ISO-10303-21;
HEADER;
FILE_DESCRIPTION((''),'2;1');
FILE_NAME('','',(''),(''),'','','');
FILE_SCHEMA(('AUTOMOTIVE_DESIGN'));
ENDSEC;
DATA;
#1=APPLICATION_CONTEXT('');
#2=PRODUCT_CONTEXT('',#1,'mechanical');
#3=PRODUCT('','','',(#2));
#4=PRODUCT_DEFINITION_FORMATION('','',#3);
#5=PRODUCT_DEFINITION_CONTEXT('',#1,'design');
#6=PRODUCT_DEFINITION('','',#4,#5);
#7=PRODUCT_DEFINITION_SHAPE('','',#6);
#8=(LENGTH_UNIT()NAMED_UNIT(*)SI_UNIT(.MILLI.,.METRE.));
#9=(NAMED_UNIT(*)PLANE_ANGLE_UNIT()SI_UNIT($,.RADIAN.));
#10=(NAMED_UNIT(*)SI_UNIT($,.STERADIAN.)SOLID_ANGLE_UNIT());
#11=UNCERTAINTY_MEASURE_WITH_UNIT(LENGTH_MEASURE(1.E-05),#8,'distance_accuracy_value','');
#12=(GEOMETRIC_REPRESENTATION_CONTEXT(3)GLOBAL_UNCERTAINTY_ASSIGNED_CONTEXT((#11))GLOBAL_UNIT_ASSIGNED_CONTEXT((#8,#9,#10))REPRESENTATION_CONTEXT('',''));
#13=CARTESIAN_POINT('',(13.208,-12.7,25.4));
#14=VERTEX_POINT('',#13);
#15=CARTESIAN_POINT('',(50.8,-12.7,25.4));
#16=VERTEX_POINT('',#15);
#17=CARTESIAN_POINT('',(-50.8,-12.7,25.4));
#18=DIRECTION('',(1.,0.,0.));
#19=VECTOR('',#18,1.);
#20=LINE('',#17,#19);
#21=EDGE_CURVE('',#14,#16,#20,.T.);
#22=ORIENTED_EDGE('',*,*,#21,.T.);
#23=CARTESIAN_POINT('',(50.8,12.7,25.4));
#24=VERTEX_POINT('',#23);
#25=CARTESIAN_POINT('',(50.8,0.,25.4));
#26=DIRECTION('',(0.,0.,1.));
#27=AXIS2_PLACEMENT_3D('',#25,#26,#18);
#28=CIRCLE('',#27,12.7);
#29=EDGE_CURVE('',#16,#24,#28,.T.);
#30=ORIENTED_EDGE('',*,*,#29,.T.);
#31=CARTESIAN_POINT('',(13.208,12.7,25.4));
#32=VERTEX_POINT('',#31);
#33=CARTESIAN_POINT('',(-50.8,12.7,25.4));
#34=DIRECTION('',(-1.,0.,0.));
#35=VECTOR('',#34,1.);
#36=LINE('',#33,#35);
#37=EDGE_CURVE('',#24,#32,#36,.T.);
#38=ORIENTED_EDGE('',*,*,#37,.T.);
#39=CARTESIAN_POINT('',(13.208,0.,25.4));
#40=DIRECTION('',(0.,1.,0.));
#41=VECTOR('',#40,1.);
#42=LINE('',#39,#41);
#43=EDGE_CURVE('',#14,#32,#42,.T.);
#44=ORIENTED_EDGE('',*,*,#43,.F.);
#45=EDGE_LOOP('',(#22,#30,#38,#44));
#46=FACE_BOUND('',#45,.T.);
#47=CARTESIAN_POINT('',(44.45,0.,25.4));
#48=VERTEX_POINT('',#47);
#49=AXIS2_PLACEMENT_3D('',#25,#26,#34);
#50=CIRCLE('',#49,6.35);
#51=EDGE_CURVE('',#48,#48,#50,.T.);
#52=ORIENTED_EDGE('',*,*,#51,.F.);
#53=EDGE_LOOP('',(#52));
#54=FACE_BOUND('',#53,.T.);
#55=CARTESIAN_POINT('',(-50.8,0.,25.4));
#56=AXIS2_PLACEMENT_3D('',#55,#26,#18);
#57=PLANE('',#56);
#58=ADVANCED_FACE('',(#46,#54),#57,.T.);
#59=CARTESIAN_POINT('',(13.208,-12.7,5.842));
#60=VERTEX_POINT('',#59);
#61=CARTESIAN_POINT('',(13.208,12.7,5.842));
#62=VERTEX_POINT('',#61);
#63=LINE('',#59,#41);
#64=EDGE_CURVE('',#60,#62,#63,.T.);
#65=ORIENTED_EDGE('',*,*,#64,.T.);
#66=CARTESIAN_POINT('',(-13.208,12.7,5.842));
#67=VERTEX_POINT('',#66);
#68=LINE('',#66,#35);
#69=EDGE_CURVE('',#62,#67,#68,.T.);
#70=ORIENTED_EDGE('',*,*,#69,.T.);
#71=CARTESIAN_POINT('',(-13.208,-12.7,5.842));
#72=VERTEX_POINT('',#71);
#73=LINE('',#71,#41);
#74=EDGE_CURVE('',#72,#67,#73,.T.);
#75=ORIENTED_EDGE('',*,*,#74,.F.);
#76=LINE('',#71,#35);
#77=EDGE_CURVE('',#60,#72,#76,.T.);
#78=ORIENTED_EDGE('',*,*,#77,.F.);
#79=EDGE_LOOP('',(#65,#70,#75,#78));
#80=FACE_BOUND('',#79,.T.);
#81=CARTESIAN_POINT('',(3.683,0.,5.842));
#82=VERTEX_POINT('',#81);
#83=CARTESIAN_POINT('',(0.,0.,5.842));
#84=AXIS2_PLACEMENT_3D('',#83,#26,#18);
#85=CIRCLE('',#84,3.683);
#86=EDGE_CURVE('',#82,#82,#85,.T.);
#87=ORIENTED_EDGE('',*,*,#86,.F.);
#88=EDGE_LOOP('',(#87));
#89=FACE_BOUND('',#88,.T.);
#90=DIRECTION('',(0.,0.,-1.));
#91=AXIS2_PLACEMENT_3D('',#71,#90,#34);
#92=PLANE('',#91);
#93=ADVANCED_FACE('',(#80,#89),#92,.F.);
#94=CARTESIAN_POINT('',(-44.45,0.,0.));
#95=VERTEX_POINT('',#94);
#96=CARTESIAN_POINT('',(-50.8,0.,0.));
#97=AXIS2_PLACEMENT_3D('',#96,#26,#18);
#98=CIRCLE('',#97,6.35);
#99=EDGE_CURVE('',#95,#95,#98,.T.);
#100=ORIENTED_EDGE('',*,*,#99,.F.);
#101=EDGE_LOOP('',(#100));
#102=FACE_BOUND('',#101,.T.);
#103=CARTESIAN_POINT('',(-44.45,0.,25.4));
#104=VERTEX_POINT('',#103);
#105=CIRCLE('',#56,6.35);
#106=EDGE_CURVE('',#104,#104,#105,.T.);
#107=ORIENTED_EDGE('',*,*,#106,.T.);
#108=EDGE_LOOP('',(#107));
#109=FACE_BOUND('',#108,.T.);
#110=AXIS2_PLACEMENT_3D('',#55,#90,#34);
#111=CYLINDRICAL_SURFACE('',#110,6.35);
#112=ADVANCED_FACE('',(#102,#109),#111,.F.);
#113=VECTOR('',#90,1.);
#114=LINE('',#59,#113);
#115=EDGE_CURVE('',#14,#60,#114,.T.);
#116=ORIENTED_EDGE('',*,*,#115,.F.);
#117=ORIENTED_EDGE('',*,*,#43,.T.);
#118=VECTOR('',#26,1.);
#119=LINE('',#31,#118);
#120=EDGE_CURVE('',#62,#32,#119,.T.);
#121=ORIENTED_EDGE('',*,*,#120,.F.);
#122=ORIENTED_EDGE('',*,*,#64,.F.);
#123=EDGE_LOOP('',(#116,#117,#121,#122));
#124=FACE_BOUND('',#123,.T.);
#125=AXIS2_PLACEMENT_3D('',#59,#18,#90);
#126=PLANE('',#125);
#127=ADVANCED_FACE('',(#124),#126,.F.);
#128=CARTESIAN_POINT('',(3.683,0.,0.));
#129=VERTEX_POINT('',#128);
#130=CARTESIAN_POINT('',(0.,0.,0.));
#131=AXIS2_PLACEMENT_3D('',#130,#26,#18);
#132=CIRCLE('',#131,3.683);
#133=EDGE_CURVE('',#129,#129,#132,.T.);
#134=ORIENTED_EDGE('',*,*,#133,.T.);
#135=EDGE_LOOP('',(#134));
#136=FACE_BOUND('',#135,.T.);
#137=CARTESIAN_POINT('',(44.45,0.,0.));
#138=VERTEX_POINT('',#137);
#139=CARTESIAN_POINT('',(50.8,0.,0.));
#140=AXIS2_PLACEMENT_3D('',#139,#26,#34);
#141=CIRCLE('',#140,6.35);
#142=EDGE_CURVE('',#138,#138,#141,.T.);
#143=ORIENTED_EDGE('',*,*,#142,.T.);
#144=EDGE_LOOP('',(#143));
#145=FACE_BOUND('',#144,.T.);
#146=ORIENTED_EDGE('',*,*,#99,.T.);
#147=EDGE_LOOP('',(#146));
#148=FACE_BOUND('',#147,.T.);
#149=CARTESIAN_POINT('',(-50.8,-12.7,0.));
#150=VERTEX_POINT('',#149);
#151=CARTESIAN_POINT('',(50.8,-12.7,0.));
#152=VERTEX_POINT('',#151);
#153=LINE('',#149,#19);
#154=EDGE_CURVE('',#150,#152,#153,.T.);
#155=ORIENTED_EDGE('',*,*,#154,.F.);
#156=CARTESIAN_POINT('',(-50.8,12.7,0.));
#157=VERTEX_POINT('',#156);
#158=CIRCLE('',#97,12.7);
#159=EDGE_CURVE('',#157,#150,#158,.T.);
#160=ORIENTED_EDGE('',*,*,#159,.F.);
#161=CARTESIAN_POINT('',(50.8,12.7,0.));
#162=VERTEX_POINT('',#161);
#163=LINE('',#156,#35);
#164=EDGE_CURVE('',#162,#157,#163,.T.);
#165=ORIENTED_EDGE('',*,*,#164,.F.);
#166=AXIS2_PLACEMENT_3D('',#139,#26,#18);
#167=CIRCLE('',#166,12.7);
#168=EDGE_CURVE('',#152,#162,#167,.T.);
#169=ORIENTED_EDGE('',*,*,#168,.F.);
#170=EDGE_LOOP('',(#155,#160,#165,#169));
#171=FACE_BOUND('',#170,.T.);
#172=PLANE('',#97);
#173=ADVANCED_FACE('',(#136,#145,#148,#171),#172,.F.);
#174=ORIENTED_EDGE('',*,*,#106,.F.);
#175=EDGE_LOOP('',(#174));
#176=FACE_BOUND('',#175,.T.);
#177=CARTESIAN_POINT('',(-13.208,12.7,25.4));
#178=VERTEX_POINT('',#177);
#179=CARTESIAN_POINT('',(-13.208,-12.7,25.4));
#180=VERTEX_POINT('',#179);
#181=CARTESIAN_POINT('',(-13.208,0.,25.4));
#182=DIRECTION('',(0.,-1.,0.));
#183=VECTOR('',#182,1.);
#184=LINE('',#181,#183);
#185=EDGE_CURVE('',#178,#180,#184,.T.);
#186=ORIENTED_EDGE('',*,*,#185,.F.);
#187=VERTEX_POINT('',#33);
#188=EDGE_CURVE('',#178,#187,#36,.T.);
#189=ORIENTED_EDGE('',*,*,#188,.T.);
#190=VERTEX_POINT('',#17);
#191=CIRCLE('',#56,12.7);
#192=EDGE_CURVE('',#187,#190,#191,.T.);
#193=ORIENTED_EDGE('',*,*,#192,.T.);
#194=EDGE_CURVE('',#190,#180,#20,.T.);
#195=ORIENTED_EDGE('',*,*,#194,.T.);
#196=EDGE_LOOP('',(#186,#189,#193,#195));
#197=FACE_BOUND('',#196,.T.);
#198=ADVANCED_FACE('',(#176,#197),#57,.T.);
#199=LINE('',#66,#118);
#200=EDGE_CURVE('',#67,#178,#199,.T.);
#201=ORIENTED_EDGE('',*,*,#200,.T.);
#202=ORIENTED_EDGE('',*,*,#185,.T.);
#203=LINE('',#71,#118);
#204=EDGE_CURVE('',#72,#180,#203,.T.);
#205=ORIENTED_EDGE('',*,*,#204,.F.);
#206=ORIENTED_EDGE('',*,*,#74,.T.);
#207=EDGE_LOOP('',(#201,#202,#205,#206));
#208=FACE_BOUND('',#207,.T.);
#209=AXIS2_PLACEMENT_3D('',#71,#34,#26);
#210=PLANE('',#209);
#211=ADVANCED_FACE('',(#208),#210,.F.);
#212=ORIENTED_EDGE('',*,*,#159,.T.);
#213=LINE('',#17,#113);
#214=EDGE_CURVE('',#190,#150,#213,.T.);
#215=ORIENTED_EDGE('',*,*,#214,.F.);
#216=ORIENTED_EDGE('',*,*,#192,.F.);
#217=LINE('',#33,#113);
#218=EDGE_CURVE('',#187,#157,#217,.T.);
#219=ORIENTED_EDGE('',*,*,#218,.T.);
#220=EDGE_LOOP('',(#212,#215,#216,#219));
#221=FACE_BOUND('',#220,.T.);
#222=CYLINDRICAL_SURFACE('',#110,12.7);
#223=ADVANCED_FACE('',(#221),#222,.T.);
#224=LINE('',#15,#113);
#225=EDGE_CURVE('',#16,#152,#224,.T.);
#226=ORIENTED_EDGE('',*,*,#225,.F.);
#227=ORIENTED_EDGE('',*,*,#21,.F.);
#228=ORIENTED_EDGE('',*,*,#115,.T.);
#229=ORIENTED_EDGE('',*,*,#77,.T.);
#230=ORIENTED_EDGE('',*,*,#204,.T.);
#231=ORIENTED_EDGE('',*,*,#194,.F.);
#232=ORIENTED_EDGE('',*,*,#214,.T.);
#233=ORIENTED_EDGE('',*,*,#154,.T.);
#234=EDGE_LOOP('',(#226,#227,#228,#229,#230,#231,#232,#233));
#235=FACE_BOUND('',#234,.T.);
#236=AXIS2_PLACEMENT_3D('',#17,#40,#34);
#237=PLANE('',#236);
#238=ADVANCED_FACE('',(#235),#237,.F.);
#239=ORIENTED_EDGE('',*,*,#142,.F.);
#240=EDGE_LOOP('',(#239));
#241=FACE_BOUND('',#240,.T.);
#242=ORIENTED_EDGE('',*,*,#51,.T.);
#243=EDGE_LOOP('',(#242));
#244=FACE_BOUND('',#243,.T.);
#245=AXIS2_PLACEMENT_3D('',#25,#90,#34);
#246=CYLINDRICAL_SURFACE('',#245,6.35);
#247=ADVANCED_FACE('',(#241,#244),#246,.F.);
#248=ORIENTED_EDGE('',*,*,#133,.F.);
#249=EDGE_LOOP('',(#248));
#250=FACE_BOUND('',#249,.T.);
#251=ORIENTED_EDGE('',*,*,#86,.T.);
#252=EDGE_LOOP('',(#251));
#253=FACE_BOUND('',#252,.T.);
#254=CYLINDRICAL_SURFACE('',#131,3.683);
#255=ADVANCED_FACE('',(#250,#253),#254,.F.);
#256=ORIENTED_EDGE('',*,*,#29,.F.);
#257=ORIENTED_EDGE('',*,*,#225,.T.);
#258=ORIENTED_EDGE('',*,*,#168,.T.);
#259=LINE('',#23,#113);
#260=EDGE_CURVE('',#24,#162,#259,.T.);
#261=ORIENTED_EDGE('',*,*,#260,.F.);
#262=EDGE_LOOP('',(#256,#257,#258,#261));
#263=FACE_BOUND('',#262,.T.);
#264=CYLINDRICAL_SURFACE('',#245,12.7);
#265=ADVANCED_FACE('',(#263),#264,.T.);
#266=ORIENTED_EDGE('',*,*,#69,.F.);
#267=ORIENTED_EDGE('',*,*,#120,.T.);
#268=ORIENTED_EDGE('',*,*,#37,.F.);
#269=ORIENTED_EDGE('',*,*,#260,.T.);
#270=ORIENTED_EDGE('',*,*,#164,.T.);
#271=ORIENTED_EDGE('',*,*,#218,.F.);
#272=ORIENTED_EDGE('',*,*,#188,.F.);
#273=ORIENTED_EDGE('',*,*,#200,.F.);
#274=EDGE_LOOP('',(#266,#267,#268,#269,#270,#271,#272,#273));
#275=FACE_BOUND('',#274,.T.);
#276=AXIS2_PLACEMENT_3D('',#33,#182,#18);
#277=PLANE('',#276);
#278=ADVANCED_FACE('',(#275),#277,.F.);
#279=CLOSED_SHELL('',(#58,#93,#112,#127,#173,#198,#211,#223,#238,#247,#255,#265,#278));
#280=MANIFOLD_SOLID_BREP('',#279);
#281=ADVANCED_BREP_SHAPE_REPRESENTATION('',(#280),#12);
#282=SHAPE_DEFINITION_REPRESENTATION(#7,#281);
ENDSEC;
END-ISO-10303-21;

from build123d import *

# Parameters (mm, degrees)
SKETCH1_R           = 6.35
BOSS_EXTRUDE1_DEPTH = 25.4
SKETCH2_W           = 26.416
SKETCH2_H           = 39.116
CUT_EXTRUDE1_DEPTH  = 26.4
SKETCH3_R           = 3.683
CUT_EXTRUDE2_DEPTH  = 6.842


with BuildPart() as part:
    # Sketch1 → Boss-Extrude1 (new body)
    with BuildSketch(Plane.XY):
        with BuildLine():
            Line((-50.8, 12.7), (50.8, 12.7))
            ThreePointArc((50.8, 12.7), (63.5, 0), (50.8, -12.7))
            Line((50.8, -12.7), (-50.8, -12.7))
            ThreePointArc((-50.8, -12.7), (-63.5, 0), (-50.8, 12.7))
        make_face()
        with Locations((-50.8, 0)):
            Circle(SKETCH1_R, mode=Mode.SUBTRACT)
        with Locations((50.8, 0)):
            Circle(SKETCH1_R, mode=Mode.SUBTRACT)
    extrude(amount=BOSS_EXTRUDE1_DEPTH)

    # Sketch2 → Cut-Extrude1 (cut, through all)
    with BuildSketch(Plane(origin=(0, 12.7, 0), x_dir=(1, 0, 0), z_dir=(0, 1, 0))):
        with Locations((0, -25.4)):
            Rectangle(SKETCH2_W, SKETCH2_H)
    extrude(amount=-CUT_EXTRUDE1_DEPTH, mode=Mode.SUBTRACT)

    # Sketch3 → Cut-Extrude2 (cut, through all)
    with BuildSketch(Plane.XY.offset(5.842)):
        Circle(SKETCH3_R)
    extrude(amount=-CUT_EXTRUDE2_DEPTH, mode=Mode.SUBTRACT)


solid = part.part
